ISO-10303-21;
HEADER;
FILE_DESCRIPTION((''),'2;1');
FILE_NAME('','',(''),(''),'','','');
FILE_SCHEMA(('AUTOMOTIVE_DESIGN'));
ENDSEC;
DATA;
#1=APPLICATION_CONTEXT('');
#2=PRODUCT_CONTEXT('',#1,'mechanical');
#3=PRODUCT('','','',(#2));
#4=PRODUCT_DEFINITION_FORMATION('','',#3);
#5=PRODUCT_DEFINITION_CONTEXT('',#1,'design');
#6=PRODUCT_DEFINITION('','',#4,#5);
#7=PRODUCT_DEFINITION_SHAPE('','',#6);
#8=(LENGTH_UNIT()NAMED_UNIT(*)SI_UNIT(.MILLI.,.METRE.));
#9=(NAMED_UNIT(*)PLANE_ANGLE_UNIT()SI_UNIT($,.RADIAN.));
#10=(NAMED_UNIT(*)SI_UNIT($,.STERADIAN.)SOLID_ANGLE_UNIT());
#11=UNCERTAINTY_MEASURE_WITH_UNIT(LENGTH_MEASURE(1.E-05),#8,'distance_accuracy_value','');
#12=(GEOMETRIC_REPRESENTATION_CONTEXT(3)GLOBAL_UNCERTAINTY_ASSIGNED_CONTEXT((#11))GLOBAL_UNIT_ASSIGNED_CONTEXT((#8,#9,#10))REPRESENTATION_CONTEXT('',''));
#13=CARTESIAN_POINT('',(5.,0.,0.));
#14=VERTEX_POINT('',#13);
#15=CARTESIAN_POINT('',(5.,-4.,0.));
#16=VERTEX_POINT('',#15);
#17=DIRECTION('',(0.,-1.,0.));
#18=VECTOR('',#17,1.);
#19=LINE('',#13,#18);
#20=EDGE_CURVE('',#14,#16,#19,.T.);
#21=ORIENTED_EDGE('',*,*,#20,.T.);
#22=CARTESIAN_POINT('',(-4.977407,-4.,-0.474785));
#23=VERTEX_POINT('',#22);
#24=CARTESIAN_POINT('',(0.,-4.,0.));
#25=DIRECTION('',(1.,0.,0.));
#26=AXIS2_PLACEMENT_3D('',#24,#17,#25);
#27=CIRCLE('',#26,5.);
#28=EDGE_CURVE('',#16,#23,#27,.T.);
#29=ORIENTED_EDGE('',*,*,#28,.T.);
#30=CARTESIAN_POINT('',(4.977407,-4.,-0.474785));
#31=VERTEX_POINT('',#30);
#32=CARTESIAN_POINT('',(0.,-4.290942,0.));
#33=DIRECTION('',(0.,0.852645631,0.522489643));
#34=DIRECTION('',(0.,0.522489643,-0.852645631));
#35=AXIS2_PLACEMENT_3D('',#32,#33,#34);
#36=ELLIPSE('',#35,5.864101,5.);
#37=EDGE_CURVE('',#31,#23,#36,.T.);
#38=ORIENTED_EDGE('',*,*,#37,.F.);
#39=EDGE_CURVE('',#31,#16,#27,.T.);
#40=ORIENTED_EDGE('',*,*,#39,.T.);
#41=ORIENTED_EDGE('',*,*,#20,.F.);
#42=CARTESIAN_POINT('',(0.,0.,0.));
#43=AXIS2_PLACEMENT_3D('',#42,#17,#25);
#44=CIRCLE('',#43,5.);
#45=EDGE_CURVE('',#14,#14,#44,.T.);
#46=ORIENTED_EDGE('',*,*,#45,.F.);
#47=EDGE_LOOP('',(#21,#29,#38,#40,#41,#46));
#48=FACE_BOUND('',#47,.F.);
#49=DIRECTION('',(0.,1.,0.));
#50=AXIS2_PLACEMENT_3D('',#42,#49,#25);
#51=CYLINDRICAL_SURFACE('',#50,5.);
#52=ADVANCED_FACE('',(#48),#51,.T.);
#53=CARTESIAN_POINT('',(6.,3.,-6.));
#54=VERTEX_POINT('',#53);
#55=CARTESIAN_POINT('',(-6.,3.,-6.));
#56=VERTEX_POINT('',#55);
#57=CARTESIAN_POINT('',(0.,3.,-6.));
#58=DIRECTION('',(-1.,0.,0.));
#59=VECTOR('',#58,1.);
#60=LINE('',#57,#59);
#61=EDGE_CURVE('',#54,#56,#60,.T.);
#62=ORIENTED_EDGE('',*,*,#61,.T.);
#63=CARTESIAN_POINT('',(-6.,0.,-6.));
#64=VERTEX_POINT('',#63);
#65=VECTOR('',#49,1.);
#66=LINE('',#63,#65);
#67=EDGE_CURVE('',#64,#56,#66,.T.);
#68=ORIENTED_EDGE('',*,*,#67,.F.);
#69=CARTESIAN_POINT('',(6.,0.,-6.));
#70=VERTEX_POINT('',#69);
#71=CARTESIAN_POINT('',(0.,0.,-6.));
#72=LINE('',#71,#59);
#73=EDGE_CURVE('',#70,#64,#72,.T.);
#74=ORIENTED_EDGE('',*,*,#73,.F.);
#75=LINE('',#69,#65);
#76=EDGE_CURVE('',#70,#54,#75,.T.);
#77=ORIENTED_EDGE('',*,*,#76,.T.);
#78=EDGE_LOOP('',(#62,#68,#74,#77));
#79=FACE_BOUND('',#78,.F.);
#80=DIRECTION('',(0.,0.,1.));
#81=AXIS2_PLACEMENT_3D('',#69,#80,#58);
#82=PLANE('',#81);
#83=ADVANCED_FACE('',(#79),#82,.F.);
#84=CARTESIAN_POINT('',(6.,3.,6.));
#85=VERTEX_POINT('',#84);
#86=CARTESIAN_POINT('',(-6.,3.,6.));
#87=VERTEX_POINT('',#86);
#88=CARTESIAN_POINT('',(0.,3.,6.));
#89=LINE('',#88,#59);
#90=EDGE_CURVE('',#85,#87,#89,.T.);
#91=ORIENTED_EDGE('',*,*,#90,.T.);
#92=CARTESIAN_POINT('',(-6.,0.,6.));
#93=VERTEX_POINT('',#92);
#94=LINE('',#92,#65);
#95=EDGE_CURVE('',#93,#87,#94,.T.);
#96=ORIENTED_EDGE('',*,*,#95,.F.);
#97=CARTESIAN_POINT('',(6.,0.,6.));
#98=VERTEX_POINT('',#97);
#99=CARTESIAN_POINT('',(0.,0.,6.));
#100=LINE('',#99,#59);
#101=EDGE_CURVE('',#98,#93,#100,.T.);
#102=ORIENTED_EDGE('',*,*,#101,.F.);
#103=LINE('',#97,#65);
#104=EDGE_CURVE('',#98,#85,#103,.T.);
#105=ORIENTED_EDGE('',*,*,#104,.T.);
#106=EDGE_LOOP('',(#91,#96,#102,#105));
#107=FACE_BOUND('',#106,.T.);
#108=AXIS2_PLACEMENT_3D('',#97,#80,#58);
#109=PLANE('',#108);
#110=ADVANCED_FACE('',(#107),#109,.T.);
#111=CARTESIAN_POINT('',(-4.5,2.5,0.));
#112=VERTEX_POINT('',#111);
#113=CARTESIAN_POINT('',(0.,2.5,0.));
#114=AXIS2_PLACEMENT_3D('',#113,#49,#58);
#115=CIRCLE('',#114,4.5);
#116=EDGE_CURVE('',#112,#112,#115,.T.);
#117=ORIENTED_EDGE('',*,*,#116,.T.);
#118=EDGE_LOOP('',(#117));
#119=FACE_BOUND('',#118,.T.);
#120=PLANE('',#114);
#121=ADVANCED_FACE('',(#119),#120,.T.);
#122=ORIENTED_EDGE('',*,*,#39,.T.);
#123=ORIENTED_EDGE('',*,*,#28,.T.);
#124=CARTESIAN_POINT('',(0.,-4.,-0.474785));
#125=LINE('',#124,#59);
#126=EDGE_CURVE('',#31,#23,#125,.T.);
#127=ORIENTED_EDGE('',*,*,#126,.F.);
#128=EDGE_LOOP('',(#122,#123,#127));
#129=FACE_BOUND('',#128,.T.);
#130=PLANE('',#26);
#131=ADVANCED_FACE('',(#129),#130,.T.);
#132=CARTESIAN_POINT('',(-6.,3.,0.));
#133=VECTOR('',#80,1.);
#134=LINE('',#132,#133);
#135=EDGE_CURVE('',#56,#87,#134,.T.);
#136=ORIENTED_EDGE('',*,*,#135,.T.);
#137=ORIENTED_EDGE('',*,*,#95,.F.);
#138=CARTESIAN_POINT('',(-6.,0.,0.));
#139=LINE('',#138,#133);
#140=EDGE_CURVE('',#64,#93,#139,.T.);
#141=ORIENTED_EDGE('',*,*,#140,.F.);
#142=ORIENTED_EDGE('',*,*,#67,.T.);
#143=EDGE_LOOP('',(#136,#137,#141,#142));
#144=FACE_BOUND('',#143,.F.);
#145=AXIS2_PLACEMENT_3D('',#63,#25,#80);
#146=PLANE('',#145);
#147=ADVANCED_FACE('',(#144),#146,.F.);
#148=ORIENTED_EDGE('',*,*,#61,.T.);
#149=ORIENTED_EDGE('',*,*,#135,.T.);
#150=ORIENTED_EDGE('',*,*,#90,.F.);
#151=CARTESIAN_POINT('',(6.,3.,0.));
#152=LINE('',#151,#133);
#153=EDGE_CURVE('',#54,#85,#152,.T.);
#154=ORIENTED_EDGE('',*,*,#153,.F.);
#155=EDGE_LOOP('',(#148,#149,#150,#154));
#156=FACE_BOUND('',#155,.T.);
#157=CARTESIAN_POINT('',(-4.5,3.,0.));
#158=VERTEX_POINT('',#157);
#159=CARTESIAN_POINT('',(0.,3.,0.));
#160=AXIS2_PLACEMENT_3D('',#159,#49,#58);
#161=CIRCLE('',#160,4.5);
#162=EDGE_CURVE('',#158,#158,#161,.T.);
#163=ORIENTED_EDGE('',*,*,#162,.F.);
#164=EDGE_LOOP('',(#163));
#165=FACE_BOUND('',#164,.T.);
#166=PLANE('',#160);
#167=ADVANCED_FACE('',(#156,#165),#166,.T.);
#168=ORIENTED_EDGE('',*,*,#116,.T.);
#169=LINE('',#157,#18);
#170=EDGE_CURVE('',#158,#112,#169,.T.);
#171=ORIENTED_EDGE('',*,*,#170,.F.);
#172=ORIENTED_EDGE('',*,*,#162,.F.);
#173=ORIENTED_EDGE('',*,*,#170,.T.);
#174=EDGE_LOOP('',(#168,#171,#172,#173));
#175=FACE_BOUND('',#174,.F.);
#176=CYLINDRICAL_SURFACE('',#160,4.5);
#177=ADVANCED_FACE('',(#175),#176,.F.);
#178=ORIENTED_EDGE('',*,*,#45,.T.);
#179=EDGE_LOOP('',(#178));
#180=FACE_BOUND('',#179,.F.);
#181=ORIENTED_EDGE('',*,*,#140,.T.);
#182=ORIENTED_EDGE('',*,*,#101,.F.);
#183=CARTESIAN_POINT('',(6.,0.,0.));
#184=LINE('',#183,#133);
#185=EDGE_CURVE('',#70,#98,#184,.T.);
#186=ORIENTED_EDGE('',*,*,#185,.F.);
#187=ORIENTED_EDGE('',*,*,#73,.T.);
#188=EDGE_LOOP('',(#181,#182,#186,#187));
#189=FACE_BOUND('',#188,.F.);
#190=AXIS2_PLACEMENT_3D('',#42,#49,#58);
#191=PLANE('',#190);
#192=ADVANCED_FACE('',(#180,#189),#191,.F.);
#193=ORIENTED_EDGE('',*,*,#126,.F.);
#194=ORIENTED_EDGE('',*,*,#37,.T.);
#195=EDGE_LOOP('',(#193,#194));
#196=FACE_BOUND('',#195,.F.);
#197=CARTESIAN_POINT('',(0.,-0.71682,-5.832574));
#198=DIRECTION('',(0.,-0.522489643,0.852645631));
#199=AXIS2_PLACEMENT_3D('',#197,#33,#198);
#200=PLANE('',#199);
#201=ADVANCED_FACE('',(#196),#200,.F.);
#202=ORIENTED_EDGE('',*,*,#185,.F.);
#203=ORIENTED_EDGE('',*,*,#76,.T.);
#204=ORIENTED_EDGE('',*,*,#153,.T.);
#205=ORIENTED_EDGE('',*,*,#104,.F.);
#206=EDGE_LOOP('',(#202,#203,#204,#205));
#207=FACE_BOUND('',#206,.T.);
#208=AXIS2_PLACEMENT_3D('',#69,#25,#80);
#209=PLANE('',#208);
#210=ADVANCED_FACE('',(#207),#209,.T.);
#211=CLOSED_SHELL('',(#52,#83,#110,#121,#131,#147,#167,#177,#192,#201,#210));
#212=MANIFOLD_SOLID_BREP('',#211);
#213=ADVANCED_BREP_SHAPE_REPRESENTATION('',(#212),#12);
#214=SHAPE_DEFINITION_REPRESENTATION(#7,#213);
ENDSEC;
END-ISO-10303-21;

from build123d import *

# Parameters (mm, degrees)
F0_R     = 5
F1_DEPTH = 4
F3_DEPTH = 12.5
F4_W     = 12
F4_H     = 12
F5_DEPTH = 3
F6_R     = 4.5
F7_DEPTH = 0.5


with BuildPart() as f1:
    # F0 (on Front) → F1 (new body)
    with BuildSketch(Plane.XZ):
        Circle(F0_R)
    extrude(amount=F1_DEPTH)

    # F2 (on Right) → F3 (cut, symmetric)
    with BuildSketch(Plane.YZ):
        Polygon((-5.130814, -6.028544), (-0.71682, -5.832574), (-4.290942, 0), align=None)
    extrude(amount=F3_DEPTH, both=True, mode=Mode.SUBTRACT)

    # F4 (on face) → F5 (join)
    with BuildSketch(Plane(origin=(0, 0, 0), x_dir=(-1, 0, 0), z_dir=(0, 1, 0))):
        Rectangle(F4_W, F4_H)
    extrude(amount=F5_DEPTH)

    # F6 (on face) → F7 (cut)
    with BuildSketch(Plane(origin=(0, 3, 0), x_dir=(-1, 0, 0), z_dir=(0, 1, 0))):
        Circle(F6_R)
    extrude(amount=-F7_DEPTH, mode=Mode.SUBTRACT)


solid = f1.part
